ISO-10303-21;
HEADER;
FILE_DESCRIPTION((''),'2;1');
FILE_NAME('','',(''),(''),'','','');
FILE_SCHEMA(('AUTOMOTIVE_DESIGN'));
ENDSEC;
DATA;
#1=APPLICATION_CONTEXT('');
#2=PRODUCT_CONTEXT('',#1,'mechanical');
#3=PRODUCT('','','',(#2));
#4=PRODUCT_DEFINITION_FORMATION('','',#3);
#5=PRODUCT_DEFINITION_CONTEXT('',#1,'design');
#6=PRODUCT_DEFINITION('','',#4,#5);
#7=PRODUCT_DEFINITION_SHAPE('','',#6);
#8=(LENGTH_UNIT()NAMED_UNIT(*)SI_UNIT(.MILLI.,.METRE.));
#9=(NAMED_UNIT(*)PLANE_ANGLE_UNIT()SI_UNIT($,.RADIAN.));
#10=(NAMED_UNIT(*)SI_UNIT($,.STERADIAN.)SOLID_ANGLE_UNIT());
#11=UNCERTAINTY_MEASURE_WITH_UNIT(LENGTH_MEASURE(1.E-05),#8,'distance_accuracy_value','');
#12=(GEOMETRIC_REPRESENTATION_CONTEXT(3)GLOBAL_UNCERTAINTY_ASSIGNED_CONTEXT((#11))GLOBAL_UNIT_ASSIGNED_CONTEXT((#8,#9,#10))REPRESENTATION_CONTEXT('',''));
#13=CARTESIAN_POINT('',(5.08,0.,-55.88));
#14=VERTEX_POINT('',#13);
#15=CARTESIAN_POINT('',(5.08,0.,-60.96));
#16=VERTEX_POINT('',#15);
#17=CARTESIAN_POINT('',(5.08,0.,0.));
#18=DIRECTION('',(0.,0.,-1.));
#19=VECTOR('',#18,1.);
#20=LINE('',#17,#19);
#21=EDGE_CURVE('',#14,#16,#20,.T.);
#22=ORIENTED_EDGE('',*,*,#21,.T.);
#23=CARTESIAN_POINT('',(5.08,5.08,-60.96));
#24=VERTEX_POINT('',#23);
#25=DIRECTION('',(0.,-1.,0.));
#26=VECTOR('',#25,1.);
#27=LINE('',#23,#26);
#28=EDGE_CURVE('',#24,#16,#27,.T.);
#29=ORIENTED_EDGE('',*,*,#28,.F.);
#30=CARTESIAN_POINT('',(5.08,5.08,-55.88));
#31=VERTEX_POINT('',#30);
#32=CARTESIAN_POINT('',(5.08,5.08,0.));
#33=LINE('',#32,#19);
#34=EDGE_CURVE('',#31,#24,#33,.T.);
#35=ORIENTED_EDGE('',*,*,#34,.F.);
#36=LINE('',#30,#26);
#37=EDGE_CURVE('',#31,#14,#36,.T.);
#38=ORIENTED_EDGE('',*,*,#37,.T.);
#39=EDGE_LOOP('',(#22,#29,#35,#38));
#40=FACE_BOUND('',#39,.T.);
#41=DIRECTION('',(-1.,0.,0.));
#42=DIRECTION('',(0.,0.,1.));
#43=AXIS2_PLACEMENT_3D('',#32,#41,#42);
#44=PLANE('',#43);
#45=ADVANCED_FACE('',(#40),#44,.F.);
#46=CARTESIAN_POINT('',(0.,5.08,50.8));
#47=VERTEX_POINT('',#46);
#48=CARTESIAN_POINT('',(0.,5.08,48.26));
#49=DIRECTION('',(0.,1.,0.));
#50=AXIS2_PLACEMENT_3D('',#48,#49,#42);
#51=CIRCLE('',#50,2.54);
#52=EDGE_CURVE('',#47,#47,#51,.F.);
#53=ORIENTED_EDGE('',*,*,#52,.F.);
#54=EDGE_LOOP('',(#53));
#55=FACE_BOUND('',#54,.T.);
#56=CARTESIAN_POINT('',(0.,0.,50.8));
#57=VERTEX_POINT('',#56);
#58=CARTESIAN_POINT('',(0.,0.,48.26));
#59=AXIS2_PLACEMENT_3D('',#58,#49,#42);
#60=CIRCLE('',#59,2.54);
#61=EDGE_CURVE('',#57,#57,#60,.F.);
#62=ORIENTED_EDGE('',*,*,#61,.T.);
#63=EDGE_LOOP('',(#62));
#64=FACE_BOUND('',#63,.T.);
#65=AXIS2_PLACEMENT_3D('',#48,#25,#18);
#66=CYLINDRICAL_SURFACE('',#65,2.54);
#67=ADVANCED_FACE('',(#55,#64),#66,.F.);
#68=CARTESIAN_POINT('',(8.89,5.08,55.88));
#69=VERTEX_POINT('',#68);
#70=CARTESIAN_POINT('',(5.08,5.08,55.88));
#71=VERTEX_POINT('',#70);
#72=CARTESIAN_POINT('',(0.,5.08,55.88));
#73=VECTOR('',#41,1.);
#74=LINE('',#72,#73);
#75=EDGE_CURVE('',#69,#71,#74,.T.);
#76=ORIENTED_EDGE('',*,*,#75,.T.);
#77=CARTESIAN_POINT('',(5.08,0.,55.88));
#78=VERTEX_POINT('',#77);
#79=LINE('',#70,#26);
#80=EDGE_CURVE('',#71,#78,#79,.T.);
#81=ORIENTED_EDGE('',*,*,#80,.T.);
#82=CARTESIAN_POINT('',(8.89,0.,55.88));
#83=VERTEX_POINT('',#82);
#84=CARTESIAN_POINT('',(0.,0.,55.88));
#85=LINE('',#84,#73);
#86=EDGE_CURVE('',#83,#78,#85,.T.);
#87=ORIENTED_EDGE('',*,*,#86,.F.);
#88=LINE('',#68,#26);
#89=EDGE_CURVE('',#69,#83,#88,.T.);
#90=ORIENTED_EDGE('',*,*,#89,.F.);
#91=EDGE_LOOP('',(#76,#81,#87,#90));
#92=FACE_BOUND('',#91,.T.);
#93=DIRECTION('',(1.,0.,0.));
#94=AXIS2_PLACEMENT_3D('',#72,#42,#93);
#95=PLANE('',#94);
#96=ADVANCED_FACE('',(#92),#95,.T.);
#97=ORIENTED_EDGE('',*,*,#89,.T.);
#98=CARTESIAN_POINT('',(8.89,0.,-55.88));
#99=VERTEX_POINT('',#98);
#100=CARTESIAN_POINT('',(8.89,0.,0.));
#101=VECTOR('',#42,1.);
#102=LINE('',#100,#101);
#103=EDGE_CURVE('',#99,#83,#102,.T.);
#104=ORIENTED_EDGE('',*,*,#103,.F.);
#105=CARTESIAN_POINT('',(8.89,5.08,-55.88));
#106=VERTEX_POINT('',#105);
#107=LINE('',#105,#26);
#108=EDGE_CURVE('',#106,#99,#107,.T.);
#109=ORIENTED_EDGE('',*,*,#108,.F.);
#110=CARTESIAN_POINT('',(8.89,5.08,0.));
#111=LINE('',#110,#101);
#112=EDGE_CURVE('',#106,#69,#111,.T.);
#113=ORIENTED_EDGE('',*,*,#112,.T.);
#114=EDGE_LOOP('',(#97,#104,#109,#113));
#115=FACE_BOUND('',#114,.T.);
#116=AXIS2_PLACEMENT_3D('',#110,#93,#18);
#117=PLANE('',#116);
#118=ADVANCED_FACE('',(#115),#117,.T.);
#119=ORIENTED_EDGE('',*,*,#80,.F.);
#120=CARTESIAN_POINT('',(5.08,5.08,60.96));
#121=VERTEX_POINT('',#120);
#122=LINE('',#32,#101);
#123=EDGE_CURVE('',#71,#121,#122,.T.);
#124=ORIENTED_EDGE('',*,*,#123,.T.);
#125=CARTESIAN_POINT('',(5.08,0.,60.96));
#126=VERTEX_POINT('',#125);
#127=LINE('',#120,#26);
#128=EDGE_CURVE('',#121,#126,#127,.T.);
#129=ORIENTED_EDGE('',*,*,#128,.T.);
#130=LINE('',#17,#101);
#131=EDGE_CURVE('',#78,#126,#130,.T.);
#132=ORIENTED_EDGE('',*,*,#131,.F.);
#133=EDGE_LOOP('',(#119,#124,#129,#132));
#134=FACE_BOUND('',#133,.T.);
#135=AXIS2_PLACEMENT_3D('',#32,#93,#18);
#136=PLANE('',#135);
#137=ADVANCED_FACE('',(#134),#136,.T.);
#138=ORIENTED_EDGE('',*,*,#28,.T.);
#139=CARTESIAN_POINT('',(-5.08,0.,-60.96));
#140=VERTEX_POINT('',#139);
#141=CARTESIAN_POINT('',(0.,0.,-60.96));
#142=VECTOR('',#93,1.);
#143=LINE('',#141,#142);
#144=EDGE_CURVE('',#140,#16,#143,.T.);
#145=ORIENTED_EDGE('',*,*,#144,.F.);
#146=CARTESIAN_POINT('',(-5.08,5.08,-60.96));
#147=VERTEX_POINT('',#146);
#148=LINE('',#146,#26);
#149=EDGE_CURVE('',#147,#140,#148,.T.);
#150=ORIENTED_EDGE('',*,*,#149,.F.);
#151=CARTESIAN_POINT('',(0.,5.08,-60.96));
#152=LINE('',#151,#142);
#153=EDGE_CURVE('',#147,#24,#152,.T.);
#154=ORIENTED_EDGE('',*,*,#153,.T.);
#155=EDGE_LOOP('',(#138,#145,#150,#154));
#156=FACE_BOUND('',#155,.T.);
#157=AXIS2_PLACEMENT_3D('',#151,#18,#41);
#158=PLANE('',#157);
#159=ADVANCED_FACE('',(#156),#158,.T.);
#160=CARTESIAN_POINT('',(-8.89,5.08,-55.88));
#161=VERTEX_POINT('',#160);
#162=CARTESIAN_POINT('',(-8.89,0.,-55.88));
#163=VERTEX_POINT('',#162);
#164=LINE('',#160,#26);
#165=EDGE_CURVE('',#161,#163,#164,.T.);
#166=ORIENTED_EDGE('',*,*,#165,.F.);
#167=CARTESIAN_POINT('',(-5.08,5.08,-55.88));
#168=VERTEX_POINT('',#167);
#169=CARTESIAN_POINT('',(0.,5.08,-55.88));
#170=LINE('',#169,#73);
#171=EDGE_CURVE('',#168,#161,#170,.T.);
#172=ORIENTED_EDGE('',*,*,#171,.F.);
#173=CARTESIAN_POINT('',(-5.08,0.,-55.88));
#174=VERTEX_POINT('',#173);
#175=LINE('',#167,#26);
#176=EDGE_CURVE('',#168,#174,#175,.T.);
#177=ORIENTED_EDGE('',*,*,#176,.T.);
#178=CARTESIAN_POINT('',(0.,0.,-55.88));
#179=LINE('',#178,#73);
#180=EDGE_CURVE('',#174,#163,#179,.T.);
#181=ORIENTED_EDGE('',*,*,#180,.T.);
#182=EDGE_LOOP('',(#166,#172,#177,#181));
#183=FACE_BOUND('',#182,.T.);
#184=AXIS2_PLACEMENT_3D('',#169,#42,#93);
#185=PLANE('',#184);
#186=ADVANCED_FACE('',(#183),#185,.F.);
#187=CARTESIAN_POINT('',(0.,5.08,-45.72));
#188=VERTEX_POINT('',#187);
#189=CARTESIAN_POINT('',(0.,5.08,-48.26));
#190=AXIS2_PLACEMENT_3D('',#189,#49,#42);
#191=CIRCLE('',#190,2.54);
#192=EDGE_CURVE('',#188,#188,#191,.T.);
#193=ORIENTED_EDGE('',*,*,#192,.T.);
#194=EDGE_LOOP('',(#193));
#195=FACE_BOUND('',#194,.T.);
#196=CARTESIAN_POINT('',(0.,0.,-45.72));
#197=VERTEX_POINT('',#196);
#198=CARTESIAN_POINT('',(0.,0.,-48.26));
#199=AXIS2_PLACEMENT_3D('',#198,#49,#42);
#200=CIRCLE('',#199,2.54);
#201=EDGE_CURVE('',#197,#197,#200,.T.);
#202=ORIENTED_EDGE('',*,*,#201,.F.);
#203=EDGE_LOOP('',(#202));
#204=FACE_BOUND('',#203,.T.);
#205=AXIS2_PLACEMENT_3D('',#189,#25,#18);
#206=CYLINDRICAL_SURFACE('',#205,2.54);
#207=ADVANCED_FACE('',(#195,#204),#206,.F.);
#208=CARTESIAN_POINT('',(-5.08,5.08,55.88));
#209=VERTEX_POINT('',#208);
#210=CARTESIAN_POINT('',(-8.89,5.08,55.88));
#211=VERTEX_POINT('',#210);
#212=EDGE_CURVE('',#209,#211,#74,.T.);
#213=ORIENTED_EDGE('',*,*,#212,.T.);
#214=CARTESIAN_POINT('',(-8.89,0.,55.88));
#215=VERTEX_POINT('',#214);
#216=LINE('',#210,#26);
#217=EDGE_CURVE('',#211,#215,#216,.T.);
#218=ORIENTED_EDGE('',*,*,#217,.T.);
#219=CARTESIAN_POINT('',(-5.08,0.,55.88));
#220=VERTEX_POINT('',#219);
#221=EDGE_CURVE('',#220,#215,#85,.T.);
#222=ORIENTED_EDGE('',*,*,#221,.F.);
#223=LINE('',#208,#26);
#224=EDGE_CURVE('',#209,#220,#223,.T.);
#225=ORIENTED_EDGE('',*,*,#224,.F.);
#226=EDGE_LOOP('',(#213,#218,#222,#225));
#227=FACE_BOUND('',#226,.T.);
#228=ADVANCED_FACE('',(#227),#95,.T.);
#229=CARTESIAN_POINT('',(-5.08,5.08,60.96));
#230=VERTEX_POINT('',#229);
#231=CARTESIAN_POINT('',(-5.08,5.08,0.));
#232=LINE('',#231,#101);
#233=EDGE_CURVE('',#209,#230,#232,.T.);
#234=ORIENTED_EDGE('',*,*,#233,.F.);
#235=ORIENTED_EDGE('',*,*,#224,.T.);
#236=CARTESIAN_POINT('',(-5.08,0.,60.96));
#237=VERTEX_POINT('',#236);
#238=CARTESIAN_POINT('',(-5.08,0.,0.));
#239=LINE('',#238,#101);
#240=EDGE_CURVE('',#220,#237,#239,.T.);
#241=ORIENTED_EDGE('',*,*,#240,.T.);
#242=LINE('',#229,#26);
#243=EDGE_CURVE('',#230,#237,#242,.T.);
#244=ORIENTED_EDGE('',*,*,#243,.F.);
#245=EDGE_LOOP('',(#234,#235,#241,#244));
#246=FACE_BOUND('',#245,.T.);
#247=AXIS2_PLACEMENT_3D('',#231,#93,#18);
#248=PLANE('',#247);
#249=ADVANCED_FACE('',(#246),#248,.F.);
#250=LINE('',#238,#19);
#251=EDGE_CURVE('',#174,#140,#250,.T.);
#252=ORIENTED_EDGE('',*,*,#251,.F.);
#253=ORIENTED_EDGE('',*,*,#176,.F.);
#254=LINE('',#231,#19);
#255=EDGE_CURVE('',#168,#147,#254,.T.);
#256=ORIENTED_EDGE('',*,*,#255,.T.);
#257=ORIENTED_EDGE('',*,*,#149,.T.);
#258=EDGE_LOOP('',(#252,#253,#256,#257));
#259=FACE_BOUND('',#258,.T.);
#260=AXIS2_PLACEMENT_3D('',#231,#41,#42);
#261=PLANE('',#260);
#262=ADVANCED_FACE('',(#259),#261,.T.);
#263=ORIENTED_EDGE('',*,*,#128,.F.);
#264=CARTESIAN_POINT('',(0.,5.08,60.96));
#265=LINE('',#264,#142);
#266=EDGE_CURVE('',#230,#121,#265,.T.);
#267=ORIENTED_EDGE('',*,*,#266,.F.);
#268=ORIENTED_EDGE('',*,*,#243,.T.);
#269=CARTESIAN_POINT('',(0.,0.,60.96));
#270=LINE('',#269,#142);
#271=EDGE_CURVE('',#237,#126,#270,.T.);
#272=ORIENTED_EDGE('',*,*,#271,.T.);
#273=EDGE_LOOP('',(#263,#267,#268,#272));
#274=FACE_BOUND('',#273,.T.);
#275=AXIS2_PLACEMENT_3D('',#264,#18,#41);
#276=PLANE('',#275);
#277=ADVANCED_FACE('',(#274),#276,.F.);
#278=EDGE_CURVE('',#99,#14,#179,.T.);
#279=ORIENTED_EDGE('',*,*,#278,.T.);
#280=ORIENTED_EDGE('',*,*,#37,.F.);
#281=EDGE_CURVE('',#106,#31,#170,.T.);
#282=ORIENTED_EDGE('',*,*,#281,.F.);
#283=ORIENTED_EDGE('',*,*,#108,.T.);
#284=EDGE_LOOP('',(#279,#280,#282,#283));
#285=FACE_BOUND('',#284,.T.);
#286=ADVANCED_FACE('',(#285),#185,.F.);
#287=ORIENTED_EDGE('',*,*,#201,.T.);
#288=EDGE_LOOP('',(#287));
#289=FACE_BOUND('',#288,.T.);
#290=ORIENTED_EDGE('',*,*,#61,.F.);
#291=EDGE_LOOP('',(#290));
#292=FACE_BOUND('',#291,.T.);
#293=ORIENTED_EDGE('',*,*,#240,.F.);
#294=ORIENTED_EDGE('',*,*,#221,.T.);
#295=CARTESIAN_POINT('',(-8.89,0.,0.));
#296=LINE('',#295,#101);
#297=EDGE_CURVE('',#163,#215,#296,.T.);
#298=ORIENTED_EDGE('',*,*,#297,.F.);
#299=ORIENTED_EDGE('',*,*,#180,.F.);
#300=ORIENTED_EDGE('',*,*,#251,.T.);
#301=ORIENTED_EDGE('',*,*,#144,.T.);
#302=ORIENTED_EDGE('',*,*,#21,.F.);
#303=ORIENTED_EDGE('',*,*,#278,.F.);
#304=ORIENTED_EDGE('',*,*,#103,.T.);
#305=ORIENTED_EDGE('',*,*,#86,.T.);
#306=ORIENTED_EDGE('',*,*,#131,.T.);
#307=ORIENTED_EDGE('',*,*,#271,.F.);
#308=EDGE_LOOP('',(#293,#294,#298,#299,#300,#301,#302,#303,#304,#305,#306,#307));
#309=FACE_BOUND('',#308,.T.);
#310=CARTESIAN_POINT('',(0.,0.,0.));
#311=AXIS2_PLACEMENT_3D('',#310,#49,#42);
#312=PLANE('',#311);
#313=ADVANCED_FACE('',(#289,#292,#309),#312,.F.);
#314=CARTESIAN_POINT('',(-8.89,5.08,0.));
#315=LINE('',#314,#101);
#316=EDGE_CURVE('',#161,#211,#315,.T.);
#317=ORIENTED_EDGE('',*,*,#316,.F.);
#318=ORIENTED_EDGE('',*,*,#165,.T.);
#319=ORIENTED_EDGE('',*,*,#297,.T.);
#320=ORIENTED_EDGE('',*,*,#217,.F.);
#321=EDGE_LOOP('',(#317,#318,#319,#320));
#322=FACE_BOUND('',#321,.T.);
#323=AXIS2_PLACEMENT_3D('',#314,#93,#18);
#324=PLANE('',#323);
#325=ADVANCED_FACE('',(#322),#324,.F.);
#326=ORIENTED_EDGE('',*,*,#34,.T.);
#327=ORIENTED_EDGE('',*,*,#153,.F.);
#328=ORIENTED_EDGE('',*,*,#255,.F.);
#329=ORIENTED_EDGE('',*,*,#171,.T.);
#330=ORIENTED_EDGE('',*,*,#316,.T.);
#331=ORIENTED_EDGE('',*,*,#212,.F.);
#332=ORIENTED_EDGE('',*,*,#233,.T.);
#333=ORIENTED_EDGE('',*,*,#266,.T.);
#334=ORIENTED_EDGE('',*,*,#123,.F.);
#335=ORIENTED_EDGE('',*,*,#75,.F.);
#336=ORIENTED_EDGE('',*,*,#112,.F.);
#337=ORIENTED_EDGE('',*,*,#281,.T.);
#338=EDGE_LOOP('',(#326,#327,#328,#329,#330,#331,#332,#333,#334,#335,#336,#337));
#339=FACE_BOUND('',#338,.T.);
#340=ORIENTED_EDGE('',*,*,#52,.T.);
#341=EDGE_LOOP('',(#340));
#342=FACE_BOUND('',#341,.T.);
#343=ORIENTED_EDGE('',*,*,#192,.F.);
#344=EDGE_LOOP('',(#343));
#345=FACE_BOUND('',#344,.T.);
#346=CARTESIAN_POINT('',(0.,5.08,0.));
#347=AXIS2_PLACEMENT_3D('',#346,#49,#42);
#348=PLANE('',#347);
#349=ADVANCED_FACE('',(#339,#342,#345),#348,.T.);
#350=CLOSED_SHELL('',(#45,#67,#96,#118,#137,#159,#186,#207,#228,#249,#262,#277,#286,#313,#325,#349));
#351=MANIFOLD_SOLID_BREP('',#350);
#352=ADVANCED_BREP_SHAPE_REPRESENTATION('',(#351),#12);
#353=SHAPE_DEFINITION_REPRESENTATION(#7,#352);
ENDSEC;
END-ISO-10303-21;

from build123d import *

# Parameters (mm, degrees)
SKETCH1_W           = 17.78
SKETCH1_H           = 111.76
SKETCH1_R           = 2.54
SKETCH1_W_2         = 10.16
SKETCH1_H_2         = 5.08
BOSS_EXTRUDE1_DEPTH = 5.08


with BuildPart() as part:
    # Sketch1 → Boss-Extrude1 (new body)
    with BuildSketch(Plane(origin=(0, 0, 0), x_dir=(1, 0, 0), z_dir=(0, 1, 0))):
        Rectangle(SKETCH1_W, SKETCH1_H)
        with Locations((0, 48.26)):
            Circle(SKETCH1_R, mode=Mode.SUBTRACT)
        with Locations((0, -48.26)):
            Circle(SKETCH1_R, mode=Mode.SUBTRACT)
        with Locations((0, 58.42)):
            Rectangle(SKETCH1_W_2, SKETCH1_H_2)
        with Locations((0, -58.42)):
            Rectangle(SKETCH1_W_2, SKETCH1_H_2)
    extrude(amount=BOSS_EXTRUDE1_DEPTH)


solid = part.part
